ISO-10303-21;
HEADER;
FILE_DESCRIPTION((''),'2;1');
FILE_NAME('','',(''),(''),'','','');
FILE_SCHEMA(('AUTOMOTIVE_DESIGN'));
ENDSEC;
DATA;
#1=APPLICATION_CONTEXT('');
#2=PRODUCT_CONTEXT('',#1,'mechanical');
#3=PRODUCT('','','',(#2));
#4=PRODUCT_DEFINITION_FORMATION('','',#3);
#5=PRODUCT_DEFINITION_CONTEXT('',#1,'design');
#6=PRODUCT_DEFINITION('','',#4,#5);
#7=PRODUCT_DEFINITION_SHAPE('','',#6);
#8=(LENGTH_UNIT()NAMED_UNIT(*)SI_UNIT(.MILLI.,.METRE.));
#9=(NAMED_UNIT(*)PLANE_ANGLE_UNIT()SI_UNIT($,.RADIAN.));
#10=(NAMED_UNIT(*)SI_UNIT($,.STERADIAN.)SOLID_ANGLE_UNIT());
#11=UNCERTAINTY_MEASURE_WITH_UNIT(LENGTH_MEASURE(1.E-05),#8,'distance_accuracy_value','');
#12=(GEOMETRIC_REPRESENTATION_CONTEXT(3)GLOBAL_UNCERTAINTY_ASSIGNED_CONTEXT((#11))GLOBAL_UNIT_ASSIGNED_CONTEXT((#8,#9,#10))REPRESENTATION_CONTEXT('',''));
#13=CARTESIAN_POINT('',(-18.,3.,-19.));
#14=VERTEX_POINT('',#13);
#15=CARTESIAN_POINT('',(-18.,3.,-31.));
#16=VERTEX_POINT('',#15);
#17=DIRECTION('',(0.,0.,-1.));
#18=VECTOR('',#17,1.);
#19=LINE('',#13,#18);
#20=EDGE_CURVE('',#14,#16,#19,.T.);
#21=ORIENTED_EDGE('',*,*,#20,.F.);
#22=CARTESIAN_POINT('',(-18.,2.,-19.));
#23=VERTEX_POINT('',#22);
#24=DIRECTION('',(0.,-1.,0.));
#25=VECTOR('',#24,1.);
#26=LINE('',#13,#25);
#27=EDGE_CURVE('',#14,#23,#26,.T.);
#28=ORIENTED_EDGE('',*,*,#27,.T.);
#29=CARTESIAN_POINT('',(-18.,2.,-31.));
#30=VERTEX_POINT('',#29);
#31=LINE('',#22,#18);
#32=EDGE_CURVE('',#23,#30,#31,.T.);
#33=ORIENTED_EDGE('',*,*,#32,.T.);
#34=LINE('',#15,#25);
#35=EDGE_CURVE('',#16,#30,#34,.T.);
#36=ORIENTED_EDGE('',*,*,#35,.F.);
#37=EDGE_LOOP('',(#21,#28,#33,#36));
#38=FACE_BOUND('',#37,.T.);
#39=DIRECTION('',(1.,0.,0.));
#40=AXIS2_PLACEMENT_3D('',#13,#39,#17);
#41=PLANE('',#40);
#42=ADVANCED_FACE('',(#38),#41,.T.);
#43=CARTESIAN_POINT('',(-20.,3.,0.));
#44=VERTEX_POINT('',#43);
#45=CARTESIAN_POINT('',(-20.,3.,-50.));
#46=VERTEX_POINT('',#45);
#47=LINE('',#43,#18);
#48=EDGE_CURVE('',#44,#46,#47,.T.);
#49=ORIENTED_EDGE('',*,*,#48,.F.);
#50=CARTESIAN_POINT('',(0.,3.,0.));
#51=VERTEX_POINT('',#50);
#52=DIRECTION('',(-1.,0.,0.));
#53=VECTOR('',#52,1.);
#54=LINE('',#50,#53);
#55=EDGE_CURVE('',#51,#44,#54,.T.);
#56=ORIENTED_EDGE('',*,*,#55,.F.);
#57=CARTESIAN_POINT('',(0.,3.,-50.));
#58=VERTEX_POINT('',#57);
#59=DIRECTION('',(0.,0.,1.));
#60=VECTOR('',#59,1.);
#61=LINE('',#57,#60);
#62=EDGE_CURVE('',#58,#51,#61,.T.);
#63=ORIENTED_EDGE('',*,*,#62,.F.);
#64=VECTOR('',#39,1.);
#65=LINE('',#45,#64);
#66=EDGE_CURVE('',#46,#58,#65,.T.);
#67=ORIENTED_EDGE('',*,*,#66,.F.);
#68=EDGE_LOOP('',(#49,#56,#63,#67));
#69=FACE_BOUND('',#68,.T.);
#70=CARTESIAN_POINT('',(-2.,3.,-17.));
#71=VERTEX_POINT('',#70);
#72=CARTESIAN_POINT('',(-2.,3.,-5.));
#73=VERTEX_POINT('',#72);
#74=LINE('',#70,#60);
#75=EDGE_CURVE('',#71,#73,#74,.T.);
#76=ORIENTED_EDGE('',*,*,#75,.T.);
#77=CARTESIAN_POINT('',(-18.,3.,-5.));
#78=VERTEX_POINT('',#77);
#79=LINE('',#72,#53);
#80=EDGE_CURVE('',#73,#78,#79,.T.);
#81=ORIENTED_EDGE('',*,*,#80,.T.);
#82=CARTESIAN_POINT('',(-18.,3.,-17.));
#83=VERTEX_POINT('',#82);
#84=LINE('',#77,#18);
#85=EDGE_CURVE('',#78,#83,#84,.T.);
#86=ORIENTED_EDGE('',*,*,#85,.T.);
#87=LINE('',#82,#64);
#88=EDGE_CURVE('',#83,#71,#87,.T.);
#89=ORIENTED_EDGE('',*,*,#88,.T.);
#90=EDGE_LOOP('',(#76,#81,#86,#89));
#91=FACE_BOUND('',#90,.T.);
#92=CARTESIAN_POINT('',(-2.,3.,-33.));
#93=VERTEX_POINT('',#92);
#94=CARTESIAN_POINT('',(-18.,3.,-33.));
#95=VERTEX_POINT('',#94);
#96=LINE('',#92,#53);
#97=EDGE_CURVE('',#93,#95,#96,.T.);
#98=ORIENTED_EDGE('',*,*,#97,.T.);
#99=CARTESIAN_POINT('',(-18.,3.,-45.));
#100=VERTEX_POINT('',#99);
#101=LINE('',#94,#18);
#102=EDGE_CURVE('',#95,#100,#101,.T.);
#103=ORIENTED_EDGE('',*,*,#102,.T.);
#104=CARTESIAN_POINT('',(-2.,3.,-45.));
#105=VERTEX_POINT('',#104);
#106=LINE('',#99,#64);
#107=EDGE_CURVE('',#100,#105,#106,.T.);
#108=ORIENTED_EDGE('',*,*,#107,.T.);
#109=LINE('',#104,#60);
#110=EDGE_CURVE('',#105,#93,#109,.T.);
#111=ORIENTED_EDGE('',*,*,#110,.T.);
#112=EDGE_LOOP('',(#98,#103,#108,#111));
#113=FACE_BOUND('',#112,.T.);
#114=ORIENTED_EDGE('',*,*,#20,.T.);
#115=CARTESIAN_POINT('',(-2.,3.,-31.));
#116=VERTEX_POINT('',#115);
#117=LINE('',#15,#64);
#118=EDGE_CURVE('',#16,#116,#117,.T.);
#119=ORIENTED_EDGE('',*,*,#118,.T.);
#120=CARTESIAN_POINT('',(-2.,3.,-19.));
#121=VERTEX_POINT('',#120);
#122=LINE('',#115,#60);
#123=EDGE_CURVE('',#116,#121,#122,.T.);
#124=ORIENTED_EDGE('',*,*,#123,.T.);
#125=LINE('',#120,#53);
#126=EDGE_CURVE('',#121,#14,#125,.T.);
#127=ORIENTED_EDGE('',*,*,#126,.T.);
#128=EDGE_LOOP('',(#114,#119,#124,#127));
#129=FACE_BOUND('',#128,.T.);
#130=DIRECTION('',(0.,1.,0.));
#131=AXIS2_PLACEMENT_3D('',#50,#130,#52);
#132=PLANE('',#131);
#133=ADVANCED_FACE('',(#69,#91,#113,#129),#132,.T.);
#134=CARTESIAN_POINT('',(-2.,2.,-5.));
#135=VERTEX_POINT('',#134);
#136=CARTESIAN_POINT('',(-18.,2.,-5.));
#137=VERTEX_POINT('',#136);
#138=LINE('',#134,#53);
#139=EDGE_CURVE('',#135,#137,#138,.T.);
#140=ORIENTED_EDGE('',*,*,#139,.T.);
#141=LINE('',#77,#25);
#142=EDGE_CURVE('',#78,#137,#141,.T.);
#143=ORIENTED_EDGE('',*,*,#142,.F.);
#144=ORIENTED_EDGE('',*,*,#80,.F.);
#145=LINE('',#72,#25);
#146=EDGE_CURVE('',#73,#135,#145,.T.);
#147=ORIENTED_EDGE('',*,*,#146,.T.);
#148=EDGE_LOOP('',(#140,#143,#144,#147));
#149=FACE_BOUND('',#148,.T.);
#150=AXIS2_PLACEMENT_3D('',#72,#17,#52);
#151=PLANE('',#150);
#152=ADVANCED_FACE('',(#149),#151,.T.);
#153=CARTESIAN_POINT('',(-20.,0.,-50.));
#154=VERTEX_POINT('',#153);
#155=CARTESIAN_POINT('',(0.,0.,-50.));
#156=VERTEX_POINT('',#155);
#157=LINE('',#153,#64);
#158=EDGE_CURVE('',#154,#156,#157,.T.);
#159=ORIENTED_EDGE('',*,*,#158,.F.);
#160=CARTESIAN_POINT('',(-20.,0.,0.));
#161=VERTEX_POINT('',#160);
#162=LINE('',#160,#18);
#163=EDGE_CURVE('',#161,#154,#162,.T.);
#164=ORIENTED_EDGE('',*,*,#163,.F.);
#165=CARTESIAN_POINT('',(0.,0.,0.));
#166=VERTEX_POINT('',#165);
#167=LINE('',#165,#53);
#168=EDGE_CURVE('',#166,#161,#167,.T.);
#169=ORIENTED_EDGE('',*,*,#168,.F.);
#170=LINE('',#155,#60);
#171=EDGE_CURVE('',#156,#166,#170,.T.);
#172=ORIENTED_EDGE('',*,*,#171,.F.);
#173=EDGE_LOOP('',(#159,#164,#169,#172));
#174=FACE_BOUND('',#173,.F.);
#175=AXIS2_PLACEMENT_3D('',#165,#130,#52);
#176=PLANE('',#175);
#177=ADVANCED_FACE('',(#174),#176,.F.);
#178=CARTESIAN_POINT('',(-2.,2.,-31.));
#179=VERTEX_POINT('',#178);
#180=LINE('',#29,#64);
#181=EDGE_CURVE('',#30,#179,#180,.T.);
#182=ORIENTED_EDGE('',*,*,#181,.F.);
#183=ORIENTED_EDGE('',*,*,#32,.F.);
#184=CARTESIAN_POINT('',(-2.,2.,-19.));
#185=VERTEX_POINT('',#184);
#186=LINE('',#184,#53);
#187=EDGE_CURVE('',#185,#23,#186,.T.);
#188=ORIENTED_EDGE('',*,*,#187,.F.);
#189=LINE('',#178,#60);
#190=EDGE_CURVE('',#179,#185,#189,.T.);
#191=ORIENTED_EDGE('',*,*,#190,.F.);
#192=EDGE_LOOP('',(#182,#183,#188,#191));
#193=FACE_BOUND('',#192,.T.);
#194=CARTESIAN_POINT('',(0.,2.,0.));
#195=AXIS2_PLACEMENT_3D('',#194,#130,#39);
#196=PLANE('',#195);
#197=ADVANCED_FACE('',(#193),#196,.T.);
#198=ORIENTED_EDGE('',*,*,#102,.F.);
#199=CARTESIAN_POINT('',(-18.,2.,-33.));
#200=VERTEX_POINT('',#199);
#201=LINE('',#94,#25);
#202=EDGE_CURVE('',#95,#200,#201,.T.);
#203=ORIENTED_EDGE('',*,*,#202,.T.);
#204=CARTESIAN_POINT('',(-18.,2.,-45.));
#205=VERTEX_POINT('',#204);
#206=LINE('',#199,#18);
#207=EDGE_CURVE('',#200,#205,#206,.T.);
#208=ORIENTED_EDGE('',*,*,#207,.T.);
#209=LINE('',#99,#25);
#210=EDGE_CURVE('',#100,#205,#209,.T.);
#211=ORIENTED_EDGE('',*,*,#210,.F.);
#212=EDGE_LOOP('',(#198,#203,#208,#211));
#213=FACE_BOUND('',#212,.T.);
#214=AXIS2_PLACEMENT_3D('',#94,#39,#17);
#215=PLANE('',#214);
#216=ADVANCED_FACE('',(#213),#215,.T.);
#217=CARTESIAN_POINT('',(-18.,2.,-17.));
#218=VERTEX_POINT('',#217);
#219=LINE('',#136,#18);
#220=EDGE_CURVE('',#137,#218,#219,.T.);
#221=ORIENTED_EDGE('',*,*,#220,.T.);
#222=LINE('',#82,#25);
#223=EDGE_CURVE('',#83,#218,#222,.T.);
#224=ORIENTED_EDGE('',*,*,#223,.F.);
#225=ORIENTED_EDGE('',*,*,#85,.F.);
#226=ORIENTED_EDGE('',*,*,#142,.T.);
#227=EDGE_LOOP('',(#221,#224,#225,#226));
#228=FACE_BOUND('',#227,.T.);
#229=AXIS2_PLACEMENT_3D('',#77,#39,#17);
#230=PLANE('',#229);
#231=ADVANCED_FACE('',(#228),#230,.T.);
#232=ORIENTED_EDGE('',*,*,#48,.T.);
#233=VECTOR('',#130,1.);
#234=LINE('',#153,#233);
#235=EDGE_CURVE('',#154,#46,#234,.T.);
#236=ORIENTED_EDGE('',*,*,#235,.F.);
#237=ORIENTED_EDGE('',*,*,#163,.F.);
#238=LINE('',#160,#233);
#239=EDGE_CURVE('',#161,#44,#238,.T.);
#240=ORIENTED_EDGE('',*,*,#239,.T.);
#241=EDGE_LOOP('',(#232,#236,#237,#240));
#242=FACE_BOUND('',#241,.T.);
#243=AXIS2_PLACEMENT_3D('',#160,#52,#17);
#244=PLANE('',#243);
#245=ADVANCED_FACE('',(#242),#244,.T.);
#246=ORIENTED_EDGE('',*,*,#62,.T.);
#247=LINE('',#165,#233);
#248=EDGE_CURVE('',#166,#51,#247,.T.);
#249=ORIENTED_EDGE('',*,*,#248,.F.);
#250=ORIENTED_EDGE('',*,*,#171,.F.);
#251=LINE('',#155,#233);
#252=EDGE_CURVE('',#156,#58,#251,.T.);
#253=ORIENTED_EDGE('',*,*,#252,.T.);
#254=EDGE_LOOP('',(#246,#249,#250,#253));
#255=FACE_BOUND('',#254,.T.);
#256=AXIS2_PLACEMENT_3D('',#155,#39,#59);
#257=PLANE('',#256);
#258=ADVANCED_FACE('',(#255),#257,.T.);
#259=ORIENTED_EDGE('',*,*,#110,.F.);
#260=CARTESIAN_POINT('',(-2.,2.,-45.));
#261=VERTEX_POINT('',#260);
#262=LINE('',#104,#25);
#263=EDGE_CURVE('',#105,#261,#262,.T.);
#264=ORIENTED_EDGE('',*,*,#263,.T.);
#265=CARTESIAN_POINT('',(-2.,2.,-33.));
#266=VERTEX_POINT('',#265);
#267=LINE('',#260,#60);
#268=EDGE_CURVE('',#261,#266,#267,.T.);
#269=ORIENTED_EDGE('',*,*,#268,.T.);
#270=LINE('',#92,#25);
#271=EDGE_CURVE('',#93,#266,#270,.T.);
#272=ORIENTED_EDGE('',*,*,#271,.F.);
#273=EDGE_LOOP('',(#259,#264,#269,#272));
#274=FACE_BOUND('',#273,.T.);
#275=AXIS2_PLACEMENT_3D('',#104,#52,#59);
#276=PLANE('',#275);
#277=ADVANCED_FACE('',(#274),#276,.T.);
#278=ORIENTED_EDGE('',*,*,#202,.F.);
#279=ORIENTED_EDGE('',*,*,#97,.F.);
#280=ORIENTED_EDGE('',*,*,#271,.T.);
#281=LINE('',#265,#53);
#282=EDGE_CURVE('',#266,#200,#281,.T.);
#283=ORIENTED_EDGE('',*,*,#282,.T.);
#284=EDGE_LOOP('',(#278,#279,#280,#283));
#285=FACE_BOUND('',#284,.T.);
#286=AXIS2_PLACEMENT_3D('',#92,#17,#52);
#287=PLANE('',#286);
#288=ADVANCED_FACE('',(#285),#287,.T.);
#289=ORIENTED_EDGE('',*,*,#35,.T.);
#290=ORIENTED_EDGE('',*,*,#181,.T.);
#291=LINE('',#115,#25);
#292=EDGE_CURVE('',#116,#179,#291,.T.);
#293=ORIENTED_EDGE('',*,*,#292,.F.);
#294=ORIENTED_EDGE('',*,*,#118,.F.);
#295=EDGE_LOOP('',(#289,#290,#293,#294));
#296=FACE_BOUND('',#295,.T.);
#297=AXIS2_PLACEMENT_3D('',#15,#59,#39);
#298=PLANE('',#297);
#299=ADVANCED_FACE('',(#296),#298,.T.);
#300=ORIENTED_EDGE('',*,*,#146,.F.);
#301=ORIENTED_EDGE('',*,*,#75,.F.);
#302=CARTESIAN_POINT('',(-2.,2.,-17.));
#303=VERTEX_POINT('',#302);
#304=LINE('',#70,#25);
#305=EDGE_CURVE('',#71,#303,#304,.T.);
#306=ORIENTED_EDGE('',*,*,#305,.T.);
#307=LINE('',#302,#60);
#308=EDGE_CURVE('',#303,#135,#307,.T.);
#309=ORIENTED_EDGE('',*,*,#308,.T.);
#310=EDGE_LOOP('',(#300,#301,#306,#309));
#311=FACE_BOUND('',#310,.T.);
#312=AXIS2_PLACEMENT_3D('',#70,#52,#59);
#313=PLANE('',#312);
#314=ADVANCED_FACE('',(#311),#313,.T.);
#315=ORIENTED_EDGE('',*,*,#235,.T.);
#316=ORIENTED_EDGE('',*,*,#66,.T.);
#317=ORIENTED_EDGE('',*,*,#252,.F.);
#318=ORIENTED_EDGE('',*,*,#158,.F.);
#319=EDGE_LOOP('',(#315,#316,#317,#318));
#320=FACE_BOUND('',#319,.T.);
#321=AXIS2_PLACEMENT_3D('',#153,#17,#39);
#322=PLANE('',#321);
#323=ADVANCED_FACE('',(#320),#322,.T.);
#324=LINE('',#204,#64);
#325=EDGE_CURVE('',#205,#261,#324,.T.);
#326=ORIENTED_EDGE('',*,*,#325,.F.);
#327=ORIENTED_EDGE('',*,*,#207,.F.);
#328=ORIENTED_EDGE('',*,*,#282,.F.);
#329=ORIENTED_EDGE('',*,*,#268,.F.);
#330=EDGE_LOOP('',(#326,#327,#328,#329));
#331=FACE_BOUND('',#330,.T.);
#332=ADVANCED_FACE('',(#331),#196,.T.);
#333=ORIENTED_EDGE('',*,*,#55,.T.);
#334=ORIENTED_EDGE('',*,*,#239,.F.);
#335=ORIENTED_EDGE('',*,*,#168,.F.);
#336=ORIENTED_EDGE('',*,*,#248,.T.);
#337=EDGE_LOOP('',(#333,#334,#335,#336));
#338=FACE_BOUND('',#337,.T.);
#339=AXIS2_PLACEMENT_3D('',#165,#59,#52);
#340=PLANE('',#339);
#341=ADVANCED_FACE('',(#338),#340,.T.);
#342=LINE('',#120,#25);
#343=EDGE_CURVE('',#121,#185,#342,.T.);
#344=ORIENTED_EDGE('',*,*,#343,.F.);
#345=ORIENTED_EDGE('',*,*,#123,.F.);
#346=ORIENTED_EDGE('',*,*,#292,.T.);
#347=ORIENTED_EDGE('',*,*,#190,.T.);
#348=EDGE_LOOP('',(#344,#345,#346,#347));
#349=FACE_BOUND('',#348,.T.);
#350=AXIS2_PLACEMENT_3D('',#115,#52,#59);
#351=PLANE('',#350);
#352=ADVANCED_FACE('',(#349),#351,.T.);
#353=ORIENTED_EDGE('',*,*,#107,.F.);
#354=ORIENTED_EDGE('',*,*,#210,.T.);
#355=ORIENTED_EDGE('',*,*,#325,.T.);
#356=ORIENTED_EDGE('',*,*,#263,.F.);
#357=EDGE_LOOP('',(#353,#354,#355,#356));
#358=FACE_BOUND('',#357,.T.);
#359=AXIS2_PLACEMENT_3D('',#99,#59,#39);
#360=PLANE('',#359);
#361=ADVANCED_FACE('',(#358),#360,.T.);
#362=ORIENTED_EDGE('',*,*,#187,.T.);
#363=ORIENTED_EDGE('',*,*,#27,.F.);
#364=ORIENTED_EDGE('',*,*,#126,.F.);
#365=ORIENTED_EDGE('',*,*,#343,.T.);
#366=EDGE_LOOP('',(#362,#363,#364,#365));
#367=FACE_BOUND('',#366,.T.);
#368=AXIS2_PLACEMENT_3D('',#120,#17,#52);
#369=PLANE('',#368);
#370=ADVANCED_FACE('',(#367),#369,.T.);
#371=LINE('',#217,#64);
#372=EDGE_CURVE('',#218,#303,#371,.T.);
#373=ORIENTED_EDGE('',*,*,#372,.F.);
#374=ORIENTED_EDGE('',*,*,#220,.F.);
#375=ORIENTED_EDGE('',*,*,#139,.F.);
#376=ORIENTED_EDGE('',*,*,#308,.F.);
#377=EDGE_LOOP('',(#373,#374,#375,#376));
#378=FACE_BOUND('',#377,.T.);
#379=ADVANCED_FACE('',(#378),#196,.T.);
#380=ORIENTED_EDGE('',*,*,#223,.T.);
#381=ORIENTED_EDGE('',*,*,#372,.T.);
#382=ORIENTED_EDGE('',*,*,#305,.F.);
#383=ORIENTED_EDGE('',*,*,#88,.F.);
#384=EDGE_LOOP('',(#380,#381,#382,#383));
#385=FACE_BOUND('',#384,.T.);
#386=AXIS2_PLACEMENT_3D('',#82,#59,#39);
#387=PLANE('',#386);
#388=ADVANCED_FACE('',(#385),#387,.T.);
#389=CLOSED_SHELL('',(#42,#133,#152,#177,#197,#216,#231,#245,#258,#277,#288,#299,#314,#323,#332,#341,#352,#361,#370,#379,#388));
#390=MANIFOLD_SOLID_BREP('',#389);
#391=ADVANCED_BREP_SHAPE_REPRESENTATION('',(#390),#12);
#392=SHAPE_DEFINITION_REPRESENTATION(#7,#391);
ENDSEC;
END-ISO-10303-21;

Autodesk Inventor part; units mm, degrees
ref_plane "YZ Plane" through (0, 0, 0) normal (1, 0, 0) x (0, 1, 0)
ref_plane "XZ Plane" through (0, 0, 0) normal (0, 1, 0) x (-1, 0, 0)
ref_plane "XY Plane" through (0, 0, 0) normal (0, 0, 1) x (1, 0, 0)
sketch "Sketch1" plane through (0, 0, 0) normal (0, 1, 0) x (-1, 0, 0)
  line L0 (0, 0) -> (20, 0)
  line L1 (20, 0) -> (20, -50)
  line L2 (20, -50) -> (0, -50)
  line L3 (0, -50) -> (0, 0)
  dimension "d0" = 20
  dimension "d1" = 50
extrude "Extrusion1" add sketch "Sketch1" along normal blind 3
sketch "Sketch3" plane through (0, 3, 0) normal (0, 1, 0) x (1, 0, 0)
  line L0 (-18, 45) -> (-2, 45)
  line L1 (-2, 45) -> (-2, 33)
  line L2 (-2, 33) -> (-18, 33)
  line L3 (-18, 33) -> (-18, 45)
  line L4 (-18, 31) -> (-2, 31)
  line L5 (-2, 31) -> (-2, 19)
  line L6 (-2, 19) -> (-18, 19)
  line L7 (-18, 19) -> (-18, 31)
  line L8 (-18, 17) -> (-2, 17)
  line L9 (-2, 17) -> (-2, 5)
  line L10 (-2, 5) -> (-18, 5)
  line L11 (-18, 5) -> (-18, 17)
  line L12 (-20, 50) -> (-20, 0) projected
  line L13 (0, 0) -> (0, 50) projected
  line L14 (0, 50) -> (-20, 50) projected
  line L15 (-20, 0) -> (0, 0) projected
  point P0 (-18, 39)
  point P1 (-2, 39)
  point P2 (-10, 33)
  dimension "d14" = 2
  dimension "d15" = 2
  dimension "d16" = 5
  dimension "d17" = 5
  dimension "d22" = 12
  dimension "d23" = 12
  dimension "d24" = 12
  dimension "d25" = 2
extrude "Extrusion3" cut sketch "Sketch3" against normal blind 1 contours L0 L1 L2 L3 | L4 L5 L6 L7 | L8 L9 L10 L11
properties part number "LED" material "PC/ABS Plastic"
